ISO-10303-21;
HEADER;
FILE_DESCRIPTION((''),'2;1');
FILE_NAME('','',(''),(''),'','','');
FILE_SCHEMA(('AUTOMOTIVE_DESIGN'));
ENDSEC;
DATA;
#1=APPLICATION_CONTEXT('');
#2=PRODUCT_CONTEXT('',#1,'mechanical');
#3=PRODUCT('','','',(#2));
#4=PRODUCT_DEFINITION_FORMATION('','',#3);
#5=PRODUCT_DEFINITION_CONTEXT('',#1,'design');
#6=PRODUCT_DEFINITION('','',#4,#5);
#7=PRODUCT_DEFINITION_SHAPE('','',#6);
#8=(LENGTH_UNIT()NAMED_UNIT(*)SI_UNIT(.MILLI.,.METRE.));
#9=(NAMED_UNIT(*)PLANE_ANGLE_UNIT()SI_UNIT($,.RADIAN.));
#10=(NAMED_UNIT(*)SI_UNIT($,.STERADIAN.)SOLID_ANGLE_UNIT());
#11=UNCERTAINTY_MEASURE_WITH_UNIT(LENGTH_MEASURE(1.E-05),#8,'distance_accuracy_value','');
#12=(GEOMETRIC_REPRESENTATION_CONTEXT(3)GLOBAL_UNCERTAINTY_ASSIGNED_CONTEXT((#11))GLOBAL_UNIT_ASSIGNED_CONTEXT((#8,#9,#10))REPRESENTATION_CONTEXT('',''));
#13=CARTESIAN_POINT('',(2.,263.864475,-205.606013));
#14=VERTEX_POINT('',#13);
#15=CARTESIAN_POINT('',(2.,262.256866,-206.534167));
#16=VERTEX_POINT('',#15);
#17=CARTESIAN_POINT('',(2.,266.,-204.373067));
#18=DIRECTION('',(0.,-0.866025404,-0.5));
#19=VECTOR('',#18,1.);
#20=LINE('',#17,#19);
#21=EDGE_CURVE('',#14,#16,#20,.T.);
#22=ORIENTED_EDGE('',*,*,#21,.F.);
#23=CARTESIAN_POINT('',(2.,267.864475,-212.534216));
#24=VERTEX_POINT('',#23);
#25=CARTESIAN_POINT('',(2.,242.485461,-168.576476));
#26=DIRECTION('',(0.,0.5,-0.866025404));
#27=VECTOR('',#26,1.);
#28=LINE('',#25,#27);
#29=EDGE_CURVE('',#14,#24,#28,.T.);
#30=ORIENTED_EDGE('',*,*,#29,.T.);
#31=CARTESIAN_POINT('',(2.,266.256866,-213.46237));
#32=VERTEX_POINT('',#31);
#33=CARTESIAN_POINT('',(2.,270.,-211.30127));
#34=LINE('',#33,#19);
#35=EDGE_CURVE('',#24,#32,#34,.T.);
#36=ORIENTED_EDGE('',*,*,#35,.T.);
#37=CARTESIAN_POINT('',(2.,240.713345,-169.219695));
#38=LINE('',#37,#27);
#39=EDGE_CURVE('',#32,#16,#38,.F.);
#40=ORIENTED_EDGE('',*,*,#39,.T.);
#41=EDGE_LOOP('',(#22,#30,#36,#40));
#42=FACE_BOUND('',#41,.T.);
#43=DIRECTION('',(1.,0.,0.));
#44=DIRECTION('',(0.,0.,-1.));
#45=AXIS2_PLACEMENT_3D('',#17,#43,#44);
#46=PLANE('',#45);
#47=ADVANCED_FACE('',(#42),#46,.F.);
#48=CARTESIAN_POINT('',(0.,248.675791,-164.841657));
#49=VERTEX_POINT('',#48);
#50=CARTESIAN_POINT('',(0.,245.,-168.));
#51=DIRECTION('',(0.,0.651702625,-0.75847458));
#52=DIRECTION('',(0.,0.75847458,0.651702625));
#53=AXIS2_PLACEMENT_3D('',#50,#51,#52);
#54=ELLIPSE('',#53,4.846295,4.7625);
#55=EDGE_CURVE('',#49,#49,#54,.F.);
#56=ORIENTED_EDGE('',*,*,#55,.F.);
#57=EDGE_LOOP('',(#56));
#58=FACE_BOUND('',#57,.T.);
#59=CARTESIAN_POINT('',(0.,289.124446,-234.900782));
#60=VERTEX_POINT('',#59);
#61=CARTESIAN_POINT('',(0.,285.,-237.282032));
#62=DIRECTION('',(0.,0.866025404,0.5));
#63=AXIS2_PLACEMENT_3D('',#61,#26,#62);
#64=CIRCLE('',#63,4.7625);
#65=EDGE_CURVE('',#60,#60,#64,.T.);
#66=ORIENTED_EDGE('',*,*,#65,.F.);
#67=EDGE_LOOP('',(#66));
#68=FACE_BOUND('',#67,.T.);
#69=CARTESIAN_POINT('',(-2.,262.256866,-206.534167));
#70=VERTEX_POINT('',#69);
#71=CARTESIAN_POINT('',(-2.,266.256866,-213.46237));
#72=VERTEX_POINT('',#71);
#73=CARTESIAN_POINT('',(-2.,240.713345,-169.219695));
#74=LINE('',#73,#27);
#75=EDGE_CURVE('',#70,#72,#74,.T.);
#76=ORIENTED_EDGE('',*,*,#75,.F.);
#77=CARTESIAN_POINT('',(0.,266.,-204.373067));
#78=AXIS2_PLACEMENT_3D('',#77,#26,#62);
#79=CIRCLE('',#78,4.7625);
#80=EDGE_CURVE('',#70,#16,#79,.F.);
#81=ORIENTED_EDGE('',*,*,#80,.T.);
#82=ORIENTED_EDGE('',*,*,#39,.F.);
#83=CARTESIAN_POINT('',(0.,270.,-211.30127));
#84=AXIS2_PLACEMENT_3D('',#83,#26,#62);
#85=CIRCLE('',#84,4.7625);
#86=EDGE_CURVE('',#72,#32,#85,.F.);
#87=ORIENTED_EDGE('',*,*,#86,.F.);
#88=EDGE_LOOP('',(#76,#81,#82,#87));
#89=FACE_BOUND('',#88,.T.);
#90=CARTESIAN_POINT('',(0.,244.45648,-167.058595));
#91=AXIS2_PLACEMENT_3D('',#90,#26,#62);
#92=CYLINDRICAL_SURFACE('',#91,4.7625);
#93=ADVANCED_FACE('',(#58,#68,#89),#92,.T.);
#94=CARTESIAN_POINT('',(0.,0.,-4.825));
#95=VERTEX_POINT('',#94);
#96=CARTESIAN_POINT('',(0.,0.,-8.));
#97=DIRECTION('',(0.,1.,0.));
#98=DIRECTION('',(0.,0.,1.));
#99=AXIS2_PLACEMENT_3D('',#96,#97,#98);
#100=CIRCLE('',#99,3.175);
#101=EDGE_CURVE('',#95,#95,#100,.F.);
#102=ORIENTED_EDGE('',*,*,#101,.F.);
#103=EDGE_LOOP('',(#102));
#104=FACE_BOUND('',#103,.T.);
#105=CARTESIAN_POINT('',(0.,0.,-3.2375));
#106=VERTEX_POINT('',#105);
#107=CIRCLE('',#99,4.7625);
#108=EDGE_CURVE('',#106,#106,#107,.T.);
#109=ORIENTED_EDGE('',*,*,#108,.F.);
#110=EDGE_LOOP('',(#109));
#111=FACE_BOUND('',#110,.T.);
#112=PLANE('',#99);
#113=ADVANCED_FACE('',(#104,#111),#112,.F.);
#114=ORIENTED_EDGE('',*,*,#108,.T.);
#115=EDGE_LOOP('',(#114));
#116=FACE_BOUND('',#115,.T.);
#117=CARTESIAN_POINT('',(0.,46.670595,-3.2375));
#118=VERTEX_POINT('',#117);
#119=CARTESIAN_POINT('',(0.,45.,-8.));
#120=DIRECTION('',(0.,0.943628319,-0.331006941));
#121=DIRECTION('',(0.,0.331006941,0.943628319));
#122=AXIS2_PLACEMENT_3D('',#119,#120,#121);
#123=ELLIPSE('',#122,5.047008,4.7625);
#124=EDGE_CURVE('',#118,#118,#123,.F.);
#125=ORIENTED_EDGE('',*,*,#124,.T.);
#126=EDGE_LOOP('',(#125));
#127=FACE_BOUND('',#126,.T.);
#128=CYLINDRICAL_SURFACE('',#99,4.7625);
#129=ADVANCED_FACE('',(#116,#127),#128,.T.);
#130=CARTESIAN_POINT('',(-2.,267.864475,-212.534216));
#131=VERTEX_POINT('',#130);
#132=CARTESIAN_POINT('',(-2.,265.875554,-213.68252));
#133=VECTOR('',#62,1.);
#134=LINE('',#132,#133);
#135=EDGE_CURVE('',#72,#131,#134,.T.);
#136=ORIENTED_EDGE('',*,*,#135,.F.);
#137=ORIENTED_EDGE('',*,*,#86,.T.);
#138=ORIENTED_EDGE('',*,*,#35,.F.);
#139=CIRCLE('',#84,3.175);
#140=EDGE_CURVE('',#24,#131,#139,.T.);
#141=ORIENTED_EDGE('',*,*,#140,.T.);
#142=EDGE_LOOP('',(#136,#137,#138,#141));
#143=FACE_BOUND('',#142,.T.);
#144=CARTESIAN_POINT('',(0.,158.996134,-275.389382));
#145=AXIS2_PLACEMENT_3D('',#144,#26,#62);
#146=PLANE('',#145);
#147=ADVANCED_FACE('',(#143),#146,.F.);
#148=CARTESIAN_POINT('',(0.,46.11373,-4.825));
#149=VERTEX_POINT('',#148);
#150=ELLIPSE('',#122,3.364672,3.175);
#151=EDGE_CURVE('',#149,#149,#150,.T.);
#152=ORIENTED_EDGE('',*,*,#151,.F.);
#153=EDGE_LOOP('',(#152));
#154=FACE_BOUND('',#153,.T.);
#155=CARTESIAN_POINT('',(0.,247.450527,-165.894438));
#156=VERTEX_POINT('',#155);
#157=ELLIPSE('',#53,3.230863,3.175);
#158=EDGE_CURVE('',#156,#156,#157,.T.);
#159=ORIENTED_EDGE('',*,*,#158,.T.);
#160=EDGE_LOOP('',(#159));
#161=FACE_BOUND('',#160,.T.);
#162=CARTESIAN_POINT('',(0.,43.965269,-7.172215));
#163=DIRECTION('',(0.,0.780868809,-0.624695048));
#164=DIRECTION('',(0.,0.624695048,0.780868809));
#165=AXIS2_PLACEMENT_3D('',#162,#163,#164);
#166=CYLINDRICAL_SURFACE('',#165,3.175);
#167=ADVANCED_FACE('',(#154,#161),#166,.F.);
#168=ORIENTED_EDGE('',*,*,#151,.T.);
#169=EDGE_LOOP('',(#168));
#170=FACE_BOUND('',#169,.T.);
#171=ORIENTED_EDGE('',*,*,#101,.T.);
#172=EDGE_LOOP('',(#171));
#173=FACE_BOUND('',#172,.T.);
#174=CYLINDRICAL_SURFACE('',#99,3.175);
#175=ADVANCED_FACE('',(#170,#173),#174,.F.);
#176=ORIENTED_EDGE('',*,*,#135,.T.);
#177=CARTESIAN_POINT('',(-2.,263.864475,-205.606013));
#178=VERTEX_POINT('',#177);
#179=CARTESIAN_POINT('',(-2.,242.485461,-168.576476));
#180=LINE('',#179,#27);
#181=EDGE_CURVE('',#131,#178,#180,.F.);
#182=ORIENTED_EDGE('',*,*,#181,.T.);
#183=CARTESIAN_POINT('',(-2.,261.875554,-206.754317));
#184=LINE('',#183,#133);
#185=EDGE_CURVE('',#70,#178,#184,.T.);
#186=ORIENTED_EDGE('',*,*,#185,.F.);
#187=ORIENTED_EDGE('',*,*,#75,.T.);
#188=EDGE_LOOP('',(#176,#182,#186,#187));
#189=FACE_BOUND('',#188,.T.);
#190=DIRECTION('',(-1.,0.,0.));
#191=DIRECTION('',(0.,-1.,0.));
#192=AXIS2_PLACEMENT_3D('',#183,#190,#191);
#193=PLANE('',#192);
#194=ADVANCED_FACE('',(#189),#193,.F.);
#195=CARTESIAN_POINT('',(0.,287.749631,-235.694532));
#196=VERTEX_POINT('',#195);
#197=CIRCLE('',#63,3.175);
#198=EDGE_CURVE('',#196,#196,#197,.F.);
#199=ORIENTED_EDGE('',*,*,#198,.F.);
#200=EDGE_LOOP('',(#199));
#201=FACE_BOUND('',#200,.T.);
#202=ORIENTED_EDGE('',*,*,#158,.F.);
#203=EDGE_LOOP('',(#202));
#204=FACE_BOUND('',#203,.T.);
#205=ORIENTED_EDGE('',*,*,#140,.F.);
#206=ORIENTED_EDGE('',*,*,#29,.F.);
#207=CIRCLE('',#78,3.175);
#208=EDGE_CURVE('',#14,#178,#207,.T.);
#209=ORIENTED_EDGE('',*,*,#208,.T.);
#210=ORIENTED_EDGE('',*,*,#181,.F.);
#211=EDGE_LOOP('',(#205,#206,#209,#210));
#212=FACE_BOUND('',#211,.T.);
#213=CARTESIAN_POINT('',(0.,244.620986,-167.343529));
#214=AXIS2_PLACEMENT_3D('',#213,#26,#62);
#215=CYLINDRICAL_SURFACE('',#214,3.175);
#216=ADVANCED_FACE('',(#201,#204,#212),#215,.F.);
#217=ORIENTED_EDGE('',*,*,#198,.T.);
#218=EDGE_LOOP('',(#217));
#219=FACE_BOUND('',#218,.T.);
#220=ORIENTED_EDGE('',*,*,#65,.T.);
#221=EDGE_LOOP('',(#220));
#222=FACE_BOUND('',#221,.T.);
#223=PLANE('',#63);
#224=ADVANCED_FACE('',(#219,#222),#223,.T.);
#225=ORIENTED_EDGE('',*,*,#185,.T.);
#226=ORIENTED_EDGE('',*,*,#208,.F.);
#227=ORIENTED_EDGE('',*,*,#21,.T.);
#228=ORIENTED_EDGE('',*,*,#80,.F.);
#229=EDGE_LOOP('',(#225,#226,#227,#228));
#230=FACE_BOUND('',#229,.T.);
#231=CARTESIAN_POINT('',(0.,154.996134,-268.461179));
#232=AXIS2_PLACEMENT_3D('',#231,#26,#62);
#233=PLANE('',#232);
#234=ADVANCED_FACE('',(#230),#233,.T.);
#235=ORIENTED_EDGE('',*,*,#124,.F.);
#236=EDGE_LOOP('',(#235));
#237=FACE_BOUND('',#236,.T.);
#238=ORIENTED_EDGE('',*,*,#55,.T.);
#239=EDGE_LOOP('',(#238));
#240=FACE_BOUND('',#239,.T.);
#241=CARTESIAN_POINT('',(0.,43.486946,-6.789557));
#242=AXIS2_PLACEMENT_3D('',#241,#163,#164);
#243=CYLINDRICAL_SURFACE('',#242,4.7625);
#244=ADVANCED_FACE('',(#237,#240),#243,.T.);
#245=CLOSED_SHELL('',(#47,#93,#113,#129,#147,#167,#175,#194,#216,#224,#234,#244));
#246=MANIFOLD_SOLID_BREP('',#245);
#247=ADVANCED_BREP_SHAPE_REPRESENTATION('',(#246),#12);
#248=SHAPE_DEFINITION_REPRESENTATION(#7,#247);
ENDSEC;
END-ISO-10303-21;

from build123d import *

# Parameters (mm, degrees)
SKETCH2_R          = 4.7625
SKETCH2_R_2        = 3.175
SKETCH11_W         = 4
SKETCH11_H         = 4.7625
CUT_EXTRUDE2_DEPTH = 8


with BuildPart() as part:
    # Sweep2: sweep along a path in Sketch4
    with BuildLine(Plane(origin=(0, 0, 0), x_dir=(0, 0, -1), z_dir=(1, 0, 0))) as sweep2_path:
        Line((8, 0), (8, 45))
        Line((8, 45), (168, 245))
        Line((168, 245), (237.282032303, 285))
    # Sketch2 → Sweep2 (sweep)
    with BuildSketch(Plane(origin=(0, 0, 0), x_dir=(1, 0, 0), z_dir=(0, 1, 0))):
        with Locations((0, 8)):
            Circle(SKETCH2_R)
        with Locations((0, 8)):
            Circle(SKETCH2_R_2, mode=Mode.SUBTRACT)
    sweep(path=sweep2_path.line, transition=Transition.RIGHT)

    # Sketch11 → Cut-Extrude2 (cut)
    with BuildSketch(Plane(origin=(0, 158.996133918, -275.389382153), x_dir=(1, 0, 0), z_dir=(0, 0.5, -0.866025404))):
        with Locations((0, -125.794973927)):
            Rectangle(SKETCH11_W, SKETCH11_H)
    extrude(amount=-CUT_EXTRUDE2_DEPTH, mode=Mode.SUBTRACT)


solid = part.part
